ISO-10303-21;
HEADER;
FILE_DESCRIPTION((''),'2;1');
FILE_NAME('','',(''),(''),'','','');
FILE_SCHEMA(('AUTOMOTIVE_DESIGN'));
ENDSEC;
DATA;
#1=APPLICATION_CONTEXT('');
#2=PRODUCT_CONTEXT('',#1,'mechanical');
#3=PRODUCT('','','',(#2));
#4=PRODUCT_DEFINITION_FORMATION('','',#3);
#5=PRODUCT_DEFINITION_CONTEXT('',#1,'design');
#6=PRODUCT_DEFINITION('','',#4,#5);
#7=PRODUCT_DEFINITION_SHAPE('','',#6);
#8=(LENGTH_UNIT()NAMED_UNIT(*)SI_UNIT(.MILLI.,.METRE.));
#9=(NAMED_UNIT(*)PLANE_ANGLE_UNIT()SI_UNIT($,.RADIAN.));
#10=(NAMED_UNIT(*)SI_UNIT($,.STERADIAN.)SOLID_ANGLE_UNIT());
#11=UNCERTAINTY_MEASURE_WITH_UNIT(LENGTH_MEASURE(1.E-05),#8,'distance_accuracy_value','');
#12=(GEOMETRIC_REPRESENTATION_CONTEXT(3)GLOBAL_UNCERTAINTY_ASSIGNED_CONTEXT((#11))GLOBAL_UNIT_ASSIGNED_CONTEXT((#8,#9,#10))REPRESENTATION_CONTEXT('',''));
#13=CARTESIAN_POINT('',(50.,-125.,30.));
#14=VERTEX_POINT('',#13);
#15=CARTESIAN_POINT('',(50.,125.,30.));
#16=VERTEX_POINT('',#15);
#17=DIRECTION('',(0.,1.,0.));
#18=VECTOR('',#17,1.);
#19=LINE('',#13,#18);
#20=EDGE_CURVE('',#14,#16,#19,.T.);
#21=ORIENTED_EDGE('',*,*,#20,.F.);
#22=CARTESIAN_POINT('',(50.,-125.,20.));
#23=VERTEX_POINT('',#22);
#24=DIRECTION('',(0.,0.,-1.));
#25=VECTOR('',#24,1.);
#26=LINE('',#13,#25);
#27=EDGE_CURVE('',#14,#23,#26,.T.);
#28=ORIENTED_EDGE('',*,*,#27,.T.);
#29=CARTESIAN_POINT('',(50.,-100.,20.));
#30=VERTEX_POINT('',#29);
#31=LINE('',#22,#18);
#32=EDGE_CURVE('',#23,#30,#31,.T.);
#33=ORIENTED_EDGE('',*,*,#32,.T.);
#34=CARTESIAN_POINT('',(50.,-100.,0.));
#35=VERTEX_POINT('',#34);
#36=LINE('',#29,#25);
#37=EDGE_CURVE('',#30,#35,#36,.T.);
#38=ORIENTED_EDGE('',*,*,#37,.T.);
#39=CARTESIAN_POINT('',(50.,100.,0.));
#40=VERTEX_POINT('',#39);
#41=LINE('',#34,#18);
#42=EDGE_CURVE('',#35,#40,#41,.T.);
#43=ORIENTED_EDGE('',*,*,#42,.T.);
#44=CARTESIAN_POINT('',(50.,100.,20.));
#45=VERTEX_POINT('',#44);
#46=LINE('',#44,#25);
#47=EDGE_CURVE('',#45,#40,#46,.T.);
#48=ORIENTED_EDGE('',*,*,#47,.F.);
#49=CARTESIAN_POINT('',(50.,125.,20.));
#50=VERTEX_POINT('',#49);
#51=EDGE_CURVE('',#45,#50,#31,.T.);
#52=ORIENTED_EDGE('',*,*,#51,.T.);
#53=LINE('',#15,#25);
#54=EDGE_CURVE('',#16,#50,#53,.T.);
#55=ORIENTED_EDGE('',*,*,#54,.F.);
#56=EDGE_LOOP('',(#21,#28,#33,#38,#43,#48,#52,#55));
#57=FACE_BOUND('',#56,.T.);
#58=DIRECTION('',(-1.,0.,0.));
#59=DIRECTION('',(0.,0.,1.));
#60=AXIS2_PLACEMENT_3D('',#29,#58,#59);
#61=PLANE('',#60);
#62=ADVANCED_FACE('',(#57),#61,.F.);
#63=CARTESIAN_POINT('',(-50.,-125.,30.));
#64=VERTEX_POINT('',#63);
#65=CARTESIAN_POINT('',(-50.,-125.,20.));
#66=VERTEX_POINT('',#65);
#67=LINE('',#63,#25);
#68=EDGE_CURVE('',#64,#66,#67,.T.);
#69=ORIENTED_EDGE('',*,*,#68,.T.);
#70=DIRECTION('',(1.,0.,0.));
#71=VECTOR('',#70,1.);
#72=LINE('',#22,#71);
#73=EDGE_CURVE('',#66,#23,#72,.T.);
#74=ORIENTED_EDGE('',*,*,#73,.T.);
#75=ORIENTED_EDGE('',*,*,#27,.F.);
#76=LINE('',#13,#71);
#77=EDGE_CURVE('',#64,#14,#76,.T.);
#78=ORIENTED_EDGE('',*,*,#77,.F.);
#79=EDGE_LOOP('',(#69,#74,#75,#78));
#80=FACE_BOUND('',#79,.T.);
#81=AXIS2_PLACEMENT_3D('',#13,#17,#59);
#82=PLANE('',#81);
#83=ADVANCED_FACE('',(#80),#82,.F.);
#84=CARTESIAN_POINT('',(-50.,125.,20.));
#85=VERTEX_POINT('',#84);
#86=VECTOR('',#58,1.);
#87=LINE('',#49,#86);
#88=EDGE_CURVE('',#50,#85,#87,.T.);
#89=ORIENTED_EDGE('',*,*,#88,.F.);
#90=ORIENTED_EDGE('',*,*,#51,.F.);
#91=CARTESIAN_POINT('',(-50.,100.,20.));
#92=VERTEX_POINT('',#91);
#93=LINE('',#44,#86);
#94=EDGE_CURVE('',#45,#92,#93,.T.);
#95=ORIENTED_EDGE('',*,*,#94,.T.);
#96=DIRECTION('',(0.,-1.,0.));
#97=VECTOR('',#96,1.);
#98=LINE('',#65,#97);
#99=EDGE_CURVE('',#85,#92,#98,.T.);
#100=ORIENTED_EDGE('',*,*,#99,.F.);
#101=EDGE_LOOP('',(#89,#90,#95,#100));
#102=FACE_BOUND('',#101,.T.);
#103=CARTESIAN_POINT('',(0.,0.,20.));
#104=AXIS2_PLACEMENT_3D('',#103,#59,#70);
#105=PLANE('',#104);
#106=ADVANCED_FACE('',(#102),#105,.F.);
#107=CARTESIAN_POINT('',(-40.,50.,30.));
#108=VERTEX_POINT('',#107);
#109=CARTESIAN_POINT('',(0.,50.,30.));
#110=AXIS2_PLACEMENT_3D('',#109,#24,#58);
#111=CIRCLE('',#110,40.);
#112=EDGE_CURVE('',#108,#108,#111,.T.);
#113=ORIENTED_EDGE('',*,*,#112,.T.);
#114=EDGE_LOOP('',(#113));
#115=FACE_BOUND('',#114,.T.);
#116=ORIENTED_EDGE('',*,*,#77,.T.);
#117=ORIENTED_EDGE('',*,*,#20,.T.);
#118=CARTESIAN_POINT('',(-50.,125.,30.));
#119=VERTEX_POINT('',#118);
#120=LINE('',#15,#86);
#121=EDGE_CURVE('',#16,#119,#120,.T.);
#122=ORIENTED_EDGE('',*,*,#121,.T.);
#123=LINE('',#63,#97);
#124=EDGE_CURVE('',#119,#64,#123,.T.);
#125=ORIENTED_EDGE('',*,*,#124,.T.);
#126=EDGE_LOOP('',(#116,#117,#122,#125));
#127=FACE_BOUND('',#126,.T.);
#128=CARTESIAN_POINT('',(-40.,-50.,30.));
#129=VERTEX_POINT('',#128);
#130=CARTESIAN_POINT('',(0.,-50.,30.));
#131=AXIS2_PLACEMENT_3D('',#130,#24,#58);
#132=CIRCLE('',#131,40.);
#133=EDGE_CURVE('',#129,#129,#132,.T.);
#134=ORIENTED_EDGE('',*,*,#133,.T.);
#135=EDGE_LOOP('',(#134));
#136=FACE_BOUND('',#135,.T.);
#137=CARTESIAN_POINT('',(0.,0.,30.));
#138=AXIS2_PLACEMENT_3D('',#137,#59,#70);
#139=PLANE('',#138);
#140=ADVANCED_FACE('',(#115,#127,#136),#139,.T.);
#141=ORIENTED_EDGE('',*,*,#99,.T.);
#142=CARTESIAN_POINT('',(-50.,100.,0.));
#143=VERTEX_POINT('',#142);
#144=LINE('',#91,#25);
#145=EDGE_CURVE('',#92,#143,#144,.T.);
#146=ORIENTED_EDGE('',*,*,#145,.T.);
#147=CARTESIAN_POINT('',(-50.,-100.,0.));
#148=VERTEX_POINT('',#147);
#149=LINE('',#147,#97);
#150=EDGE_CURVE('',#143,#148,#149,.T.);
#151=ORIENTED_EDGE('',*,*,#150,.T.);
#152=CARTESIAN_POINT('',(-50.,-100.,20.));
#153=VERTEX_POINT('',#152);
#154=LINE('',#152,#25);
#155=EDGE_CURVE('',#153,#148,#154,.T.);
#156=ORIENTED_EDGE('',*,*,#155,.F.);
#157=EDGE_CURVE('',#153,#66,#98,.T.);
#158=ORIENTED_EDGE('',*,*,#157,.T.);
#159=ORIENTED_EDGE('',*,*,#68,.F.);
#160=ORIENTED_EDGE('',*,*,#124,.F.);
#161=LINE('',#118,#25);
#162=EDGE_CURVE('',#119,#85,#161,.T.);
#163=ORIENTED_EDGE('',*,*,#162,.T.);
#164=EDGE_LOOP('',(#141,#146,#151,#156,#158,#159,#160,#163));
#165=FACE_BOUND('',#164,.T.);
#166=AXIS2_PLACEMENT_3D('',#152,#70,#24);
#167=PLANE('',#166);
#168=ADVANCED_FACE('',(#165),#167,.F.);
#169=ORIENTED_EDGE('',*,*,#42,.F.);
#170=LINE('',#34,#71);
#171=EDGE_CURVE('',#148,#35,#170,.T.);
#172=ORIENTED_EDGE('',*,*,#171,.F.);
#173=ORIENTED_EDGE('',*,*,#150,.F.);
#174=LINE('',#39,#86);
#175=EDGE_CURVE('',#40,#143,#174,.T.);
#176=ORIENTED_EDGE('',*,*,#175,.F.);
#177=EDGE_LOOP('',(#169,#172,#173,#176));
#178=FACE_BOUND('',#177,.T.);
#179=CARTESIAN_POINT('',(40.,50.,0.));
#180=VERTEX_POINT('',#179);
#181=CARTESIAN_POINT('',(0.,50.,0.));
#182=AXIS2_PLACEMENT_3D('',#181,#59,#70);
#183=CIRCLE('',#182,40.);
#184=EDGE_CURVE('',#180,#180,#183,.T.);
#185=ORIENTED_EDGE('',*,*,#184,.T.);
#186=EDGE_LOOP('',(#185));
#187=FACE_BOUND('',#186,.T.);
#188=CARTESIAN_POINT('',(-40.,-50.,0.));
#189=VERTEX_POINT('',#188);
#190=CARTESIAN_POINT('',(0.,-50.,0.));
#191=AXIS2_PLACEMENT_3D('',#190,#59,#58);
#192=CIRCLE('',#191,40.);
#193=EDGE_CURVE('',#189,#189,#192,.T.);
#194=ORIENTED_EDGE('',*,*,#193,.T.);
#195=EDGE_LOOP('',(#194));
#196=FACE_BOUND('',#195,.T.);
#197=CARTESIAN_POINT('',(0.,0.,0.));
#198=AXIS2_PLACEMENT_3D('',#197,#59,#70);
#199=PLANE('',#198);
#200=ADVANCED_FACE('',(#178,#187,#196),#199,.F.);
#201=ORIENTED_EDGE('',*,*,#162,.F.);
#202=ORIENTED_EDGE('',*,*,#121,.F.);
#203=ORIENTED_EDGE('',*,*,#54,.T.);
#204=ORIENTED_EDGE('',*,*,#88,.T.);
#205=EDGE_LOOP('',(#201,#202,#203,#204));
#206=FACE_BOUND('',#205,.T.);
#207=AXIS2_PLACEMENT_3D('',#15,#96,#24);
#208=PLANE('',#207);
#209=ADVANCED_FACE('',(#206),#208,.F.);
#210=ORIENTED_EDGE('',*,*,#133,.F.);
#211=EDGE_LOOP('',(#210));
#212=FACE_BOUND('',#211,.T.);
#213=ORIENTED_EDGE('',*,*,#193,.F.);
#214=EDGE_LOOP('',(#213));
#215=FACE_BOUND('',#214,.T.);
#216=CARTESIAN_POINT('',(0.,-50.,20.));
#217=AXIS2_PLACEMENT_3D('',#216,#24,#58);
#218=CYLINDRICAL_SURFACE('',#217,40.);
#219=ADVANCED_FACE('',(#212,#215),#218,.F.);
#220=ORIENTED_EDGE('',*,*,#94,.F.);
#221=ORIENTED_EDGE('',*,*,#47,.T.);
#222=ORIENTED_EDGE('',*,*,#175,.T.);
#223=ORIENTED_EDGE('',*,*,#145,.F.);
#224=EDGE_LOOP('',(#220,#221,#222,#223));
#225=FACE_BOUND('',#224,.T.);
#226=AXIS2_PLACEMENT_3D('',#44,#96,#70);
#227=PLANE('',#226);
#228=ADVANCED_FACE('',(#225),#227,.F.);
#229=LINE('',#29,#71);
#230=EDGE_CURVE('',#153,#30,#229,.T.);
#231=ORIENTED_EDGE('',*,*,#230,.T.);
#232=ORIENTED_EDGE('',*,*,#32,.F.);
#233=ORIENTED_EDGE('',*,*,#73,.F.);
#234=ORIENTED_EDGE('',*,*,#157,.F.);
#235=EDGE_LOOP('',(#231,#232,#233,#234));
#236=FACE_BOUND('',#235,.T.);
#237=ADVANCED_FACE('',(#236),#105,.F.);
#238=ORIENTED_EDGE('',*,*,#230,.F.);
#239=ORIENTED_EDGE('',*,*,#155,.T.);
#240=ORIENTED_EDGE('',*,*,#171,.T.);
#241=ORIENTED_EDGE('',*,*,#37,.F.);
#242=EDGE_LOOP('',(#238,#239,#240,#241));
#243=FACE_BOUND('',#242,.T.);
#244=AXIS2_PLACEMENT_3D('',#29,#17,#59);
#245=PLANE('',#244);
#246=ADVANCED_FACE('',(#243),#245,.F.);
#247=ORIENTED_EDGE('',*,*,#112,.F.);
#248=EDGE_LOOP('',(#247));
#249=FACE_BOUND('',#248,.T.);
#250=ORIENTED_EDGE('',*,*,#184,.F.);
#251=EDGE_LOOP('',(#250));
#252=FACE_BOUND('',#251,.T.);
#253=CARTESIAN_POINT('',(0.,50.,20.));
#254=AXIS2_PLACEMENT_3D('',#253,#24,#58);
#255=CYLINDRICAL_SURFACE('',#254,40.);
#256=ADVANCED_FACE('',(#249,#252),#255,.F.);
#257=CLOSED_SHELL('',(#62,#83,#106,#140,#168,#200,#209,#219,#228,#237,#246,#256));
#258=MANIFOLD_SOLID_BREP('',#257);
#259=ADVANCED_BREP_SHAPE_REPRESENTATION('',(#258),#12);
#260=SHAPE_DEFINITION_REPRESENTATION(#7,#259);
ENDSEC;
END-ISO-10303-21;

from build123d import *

# Parameters (mm, degrees)
SKETCH_1_W          = 100
SKETCH_1_H          = 200
SKETCH_1_R          = 40
EXTRUDE_1_DEPTH     = 20
SKETCH_2_W          = 100
SKETCH_2_H          = 250
EXTRUDE_2_DEPTH     = 10
SKETCH_3_R          = 40
CUT_EXTRUDE_1_DEPTH = 137.106575888


with BuildPart() as part:
    # 草图1 → 凸台-拉伸1 (new body)
    with BuildSketch(Plane.XY):
        Rectangle(SKETCH_1_W, SKETCH_1_H)
        with Locations((0, 50)):
            Circle(SKETCH_1_R, mode=Mode.SUBTRACT)
        with Locations(Location((0, -50, 0), (0, 0, 180))):
            Circle(SKETCH_1_R, mode=Mode.SUBTRACT)
    extrude(amount=EXTRUDE_1_DEPTH)

    # 草图2 → 凸台-拉伸2 (add)
    with BuildSketch(Plane.XY.offset(20)):
        Rectangle(SKETCH_2_W, SKETCH_2_H)
    extrude(amount=EXTRUDE_2_DEPTH)

    # 草图3 → 切除-拉伸1 (cut, through all)
    with BuildSketch(Plane(origin=(0, 0, 20), x_dir=(-1, 0, 0), z_dir=(0, 0, -1))):
        with Locations((0, 50)):
            Circle(SKETCH_3_R)
        with Locations((0, -50)):
            Circle(SKETCH_3_R)
    extrude(amount=-CUT_EXTRUDE_1_DEPTH, mode=Mode.SUBTRACT)


solid = part.part
